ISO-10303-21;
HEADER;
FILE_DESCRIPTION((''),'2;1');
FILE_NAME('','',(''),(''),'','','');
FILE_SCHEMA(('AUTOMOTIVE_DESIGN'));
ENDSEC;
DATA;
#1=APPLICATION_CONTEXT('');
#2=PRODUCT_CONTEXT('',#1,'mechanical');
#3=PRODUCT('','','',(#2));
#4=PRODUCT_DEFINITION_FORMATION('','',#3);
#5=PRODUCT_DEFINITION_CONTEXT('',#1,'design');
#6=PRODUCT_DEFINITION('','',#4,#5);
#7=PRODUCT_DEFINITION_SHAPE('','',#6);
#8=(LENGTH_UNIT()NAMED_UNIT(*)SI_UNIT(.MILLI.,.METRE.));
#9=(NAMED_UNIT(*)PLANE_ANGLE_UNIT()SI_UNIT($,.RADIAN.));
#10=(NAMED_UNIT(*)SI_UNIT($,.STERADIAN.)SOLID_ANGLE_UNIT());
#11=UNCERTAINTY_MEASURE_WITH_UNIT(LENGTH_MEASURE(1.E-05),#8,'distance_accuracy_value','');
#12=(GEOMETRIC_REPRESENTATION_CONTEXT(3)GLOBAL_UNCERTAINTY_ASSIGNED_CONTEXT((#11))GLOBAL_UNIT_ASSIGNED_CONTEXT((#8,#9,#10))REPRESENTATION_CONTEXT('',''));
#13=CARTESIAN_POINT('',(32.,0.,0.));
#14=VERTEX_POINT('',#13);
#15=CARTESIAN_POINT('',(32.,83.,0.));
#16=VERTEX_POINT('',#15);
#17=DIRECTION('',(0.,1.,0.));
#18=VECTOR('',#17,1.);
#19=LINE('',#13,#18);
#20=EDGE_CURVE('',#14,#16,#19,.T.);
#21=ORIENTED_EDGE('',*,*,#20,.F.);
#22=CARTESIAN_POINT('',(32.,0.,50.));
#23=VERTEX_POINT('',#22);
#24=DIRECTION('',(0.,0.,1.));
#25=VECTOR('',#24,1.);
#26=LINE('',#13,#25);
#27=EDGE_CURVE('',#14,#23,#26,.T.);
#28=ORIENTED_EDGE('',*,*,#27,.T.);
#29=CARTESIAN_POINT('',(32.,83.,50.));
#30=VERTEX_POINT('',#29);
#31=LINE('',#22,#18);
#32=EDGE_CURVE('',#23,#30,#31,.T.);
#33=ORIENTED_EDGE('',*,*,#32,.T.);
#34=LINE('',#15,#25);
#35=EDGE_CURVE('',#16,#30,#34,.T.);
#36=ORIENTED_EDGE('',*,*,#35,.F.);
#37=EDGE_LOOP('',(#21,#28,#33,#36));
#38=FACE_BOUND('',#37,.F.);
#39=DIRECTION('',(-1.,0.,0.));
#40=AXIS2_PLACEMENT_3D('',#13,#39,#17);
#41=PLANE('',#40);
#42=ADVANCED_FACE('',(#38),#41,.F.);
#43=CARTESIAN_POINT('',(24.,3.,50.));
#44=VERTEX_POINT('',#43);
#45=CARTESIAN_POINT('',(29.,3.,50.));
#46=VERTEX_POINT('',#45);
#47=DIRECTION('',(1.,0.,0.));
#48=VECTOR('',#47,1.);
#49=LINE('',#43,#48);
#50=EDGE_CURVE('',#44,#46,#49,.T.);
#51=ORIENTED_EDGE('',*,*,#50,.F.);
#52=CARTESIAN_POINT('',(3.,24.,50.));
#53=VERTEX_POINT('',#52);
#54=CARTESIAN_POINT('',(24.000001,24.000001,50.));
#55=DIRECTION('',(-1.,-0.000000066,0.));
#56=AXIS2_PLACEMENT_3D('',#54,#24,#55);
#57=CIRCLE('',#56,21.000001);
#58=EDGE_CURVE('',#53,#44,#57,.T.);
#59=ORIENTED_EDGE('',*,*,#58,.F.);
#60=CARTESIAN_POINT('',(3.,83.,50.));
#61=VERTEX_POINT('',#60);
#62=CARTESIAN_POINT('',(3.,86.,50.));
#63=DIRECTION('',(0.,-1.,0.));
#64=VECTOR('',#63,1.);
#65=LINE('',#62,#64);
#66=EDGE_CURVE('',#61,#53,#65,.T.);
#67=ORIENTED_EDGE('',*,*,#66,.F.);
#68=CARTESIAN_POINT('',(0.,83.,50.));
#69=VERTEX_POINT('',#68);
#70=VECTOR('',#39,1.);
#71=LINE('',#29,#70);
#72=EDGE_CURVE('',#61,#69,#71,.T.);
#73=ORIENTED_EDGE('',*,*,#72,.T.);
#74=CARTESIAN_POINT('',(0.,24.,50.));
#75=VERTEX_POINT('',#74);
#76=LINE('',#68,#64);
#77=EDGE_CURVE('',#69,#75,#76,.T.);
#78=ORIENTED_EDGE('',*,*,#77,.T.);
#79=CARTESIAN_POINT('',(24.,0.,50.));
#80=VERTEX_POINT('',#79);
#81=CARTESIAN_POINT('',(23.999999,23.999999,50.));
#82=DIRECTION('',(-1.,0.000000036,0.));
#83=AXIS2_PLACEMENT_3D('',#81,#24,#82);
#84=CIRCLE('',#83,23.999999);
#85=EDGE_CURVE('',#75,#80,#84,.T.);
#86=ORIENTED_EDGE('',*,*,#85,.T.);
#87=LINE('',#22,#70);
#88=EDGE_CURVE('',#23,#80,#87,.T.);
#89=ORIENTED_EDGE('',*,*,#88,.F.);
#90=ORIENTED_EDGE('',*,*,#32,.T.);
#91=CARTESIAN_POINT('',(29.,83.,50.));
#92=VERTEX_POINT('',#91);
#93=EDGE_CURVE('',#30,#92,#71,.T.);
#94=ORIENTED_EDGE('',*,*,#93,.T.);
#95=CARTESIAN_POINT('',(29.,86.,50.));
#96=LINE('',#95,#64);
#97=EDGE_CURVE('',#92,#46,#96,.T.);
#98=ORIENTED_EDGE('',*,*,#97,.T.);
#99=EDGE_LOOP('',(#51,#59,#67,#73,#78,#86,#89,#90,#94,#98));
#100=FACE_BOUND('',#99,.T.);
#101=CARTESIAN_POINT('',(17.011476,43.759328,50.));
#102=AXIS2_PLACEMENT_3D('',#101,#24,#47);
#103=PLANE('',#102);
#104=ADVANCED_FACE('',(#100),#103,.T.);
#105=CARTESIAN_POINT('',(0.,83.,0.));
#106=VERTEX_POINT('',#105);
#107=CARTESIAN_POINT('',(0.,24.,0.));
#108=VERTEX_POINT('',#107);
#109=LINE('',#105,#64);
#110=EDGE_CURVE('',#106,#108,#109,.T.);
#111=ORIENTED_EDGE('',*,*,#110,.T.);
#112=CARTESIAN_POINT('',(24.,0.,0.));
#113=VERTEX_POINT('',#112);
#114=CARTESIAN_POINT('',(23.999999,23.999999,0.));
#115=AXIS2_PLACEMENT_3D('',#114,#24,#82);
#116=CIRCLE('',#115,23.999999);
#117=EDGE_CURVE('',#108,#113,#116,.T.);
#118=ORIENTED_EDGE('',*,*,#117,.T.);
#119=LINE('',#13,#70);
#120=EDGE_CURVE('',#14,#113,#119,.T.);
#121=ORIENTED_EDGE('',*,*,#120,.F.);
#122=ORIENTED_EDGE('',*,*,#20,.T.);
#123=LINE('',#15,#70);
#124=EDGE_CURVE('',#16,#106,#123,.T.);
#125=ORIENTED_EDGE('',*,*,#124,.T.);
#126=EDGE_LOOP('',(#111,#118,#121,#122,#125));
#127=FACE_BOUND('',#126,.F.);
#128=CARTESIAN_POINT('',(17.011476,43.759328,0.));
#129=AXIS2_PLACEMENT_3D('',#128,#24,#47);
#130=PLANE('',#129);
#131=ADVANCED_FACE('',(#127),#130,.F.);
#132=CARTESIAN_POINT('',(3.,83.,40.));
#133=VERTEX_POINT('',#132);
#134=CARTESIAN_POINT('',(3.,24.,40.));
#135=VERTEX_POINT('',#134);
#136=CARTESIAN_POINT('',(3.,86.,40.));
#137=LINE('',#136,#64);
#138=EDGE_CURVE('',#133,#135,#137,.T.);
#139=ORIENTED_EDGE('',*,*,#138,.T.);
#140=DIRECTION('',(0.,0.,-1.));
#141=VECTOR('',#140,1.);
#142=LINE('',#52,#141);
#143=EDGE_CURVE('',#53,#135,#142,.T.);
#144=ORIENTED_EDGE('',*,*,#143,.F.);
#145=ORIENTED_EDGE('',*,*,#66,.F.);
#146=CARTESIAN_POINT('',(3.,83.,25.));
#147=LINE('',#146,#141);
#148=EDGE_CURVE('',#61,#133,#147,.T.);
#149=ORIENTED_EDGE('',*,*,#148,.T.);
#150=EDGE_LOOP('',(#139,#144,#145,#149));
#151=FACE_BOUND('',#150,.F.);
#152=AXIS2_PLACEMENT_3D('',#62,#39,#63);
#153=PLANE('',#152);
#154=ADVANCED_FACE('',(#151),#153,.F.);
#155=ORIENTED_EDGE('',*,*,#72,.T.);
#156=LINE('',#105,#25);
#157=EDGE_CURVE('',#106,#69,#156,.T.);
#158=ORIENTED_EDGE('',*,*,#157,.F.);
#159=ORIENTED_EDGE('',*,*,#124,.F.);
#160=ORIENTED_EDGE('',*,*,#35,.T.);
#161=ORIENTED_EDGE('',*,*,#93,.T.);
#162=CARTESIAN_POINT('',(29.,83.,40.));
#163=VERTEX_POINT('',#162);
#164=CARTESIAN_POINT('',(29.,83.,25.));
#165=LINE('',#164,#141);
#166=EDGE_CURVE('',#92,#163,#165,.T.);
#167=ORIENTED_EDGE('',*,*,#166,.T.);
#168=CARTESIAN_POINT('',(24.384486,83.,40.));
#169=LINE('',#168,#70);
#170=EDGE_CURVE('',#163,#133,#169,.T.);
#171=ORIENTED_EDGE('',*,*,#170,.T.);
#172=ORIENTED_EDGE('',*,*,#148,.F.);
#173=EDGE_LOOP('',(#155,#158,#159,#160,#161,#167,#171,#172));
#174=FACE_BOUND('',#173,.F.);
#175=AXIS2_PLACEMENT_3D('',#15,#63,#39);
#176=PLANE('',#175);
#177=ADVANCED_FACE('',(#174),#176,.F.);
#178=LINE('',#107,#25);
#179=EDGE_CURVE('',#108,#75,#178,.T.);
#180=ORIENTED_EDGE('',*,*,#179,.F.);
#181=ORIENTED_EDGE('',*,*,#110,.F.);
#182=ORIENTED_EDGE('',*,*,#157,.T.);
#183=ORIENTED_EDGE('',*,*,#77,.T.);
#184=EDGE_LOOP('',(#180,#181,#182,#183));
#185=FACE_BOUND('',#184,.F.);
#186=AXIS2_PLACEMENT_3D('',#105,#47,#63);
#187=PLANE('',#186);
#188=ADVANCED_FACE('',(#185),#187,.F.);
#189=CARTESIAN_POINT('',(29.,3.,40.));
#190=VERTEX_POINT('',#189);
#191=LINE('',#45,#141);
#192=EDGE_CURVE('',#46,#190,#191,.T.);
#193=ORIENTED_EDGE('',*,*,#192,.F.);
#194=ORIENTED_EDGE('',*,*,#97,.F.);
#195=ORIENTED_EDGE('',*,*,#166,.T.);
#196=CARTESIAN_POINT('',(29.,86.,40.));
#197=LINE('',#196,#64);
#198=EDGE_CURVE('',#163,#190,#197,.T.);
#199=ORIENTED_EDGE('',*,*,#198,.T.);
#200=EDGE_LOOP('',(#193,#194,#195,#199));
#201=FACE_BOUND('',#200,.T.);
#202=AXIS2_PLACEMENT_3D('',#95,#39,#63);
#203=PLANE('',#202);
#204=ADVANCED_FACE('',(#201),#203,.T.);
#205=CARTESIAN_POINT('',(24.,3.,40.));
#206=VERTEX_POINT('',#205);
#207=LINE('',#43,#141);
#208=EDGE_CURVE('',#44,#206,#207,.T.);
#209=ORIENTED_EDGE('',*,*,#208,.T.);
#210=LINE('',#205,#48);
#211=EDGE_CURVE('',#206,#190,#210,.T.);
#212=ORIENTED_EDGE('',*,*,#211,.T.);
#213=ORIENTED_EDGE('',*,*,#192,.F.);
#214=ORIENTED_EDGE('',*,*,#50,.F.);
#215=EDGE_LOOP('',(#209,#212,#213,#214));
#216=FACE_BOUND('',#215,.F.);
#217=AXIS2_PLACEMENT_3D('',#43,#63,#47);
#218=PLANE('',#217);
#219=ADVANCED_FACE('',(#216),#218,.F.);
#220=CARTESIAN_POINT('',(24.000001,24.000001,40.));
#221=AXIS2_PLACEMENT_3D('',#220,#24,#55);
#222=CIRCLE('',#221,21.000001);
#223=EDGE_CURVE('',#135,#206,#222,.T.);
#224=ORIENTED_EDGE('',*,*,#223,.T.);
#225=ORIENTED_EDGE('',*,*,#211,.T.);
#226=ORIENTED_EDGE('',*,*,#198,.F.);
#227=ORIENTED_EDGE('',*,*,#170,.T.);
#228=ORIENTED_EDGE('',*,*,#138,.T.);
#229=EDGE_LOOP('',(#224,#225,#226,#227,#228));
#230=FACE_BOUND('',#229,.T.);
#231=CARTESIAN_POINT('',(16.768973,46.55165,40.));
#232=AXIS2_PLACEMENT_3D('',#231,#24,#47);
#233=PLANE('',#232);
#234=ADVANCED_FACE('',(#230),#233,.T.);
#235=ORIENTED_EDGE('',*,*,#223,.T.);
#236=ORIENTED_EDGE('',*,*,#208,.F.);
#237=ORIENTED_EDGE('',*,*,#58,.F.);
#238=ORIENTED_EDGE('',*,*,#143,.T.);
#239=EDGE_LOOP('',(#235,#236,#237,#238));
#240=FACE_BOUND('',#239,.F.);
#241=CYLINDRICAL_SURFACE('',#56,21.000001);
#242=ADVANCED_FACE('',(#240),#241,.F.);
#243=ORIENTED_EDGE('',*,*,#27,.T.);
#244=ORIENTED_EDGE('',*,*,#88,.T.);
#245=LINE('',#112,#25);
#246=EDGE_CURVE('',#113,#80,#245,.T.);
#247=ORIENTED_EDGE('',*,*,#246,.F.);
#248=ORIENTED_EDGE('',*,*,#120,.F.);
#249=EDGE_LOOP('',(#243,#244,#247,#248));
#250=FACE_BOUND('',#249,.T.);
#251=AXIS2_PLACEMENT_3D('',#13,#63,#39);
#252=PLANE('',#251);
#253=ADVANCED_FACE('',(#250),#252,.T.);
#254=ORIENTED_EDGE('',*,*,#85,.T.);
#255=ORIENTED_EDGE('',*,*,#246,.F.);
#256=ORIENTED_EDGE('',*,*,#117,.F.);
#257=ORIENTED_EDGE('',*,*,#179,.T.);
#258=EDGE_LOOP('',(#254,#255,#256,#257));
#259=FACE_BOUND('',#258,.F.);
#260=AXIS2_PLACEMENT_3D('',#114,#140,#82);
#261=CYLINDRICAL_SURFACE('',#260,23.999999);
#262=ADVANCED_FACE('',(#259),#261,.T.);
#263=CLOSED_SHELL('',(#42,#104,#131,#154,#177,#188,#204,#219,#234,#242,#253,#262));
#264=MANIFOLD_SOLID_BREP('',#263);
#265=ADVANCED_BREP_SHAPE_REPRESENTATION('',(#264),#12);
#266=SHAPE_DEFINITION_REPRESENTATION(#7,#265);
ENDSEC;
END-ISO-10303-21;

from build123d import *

# Parameters (mm, degrees)
PAD_DEPTH    = 50
POCKET_DEPTH = 10


with BuildPart() as part:
    # Sketch → Pad (new body)
    with BuildSketch(Plane.XY):
        with BuildLine():
            Line((32, 0), (32, 83))
            Line((32, 83), (0, 83))
            Line((0, 83), (0, 24))
            ThreePointArc((0, 24), (7.029437, 7.029437), (24, 0))
            Line((32, 0), (24, 0))
        make_face()
    extrude(amount=PAD_DEPTH)

    # Sketch001 (on Face7 of Pad) → Pocket (cut)
    with BuildSketch(Plane.XY.offset(50)):
        with BuildLine():
            Line((3, 86), (3, 24))
            ThreePointArc((3, 24), (9.150758, 9.150758), (24, 3))
            Line((24, 3), (29, 3))
            Line((29, 86), (29, 3))
            Line((3, 86), (29, 86))
        make_face()
    extrude(amount=-POCKET_DEPTH, mode=Mode.SUBTRACT)


solid = part.part
